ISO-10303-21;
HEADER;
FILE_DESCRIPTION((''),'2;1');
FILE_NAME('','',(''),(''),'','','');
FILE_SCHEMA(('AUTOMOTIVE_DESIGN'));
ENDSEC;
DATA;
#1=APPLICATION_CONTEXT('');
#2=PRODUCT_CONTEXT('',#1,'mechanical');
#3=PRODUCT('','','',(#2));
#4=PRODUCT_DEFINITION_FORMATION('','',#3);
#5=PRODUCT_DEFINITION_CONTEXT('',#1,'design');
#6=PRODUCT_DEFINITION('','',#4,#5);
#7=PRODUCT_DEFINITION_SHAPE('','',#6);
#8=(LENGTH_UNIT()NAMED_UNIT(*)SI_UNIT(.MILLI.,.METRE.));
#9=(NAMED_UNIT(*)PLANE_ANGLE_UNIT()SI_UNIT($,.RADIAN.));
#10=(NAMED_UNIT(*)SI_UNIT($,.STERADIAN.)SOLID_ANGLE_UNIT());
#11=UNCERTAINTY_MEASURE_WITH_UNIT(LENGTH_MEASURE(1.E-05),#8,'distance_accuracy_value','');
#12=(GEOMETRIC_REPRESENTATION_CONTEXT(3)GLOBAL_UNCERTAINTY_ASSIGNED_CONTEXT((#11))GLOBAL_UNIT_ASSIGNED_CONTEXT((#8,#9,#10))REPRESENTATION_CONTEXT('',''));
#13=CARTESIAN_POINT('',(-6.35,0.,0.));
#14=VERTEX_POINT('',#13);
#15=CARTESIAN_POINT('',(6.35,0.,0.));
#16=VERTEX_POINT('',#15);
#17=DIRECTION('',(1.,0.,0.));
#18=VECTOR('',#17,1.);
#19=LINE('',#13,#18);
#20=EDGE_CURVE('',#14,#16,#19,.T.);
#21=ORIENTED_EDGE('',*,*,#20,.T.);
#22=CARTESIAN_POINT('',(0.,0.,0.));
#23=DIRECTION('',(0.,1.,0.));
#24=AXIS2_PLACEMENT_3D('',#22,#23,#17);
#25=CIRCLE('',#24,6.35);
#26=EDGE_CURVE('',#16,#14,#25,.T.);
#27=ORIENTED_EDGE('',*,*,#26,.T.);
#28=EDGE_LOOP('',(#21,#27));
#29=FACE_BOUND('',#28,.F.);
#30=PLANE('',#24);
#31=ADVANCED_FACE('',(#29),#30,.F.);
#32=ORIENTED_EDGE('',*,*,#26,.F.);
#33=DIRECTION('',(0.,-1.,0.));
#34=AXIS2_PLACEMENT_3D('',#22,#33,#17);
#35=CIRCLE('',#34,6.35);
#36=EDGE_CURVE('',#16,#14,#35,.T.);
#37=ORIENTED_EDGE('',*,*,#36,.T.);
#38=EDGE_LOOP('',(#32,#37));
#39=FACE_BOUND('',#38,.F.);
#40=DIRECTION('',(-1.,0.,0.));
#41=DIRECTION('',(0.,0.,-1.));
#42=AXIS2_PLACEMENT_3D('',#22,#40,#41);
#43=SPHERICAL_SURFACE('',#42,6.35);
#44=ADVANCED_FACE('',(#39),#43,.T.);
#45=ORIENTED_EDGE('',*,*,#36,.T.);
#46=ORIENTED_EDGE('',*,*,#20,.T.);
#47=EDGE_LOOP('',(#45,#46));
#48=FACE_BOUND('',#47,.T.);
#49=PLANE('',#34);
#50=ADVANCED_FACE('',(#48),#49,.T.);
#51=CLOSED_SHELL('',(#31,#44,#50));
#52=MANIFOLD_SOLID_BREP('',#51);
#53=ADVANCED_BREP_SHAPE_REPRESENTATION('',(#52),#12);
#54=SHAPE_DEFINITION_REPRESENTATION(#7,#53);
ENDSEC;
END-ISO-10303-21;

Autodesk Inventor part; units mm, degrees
ref_plane "YZ Plane" through (0, 0, 0) normal (1, 0, 0) x (0, 1, 0)
ref_plane "XZ Plane" through (0, 0, 0) normal (0, 1, 0) x (-1, 0, 0)
ref_plane "XY Plane" through (0, 0, 0) normal (0, 0, 1) x (1, 0, 0)
sketch "Sketch1" plane through (0, 0, 0) normal (0, 0, 1) x (1, 0, 0)
  arc A0 (6.35, 0) -> (-6.35, 0) centre (0, 0) ccw
  line L0 (-6.35, 0) -> (6.35, 0)
  dimension "d0" = 12.7
revolve "Revolution1" add sketch "Sketch1" angle 180 mid plane about axis through (-6.35, 0, 0) along (1, 0, 0)
properties part number "HighvLowResTest"
